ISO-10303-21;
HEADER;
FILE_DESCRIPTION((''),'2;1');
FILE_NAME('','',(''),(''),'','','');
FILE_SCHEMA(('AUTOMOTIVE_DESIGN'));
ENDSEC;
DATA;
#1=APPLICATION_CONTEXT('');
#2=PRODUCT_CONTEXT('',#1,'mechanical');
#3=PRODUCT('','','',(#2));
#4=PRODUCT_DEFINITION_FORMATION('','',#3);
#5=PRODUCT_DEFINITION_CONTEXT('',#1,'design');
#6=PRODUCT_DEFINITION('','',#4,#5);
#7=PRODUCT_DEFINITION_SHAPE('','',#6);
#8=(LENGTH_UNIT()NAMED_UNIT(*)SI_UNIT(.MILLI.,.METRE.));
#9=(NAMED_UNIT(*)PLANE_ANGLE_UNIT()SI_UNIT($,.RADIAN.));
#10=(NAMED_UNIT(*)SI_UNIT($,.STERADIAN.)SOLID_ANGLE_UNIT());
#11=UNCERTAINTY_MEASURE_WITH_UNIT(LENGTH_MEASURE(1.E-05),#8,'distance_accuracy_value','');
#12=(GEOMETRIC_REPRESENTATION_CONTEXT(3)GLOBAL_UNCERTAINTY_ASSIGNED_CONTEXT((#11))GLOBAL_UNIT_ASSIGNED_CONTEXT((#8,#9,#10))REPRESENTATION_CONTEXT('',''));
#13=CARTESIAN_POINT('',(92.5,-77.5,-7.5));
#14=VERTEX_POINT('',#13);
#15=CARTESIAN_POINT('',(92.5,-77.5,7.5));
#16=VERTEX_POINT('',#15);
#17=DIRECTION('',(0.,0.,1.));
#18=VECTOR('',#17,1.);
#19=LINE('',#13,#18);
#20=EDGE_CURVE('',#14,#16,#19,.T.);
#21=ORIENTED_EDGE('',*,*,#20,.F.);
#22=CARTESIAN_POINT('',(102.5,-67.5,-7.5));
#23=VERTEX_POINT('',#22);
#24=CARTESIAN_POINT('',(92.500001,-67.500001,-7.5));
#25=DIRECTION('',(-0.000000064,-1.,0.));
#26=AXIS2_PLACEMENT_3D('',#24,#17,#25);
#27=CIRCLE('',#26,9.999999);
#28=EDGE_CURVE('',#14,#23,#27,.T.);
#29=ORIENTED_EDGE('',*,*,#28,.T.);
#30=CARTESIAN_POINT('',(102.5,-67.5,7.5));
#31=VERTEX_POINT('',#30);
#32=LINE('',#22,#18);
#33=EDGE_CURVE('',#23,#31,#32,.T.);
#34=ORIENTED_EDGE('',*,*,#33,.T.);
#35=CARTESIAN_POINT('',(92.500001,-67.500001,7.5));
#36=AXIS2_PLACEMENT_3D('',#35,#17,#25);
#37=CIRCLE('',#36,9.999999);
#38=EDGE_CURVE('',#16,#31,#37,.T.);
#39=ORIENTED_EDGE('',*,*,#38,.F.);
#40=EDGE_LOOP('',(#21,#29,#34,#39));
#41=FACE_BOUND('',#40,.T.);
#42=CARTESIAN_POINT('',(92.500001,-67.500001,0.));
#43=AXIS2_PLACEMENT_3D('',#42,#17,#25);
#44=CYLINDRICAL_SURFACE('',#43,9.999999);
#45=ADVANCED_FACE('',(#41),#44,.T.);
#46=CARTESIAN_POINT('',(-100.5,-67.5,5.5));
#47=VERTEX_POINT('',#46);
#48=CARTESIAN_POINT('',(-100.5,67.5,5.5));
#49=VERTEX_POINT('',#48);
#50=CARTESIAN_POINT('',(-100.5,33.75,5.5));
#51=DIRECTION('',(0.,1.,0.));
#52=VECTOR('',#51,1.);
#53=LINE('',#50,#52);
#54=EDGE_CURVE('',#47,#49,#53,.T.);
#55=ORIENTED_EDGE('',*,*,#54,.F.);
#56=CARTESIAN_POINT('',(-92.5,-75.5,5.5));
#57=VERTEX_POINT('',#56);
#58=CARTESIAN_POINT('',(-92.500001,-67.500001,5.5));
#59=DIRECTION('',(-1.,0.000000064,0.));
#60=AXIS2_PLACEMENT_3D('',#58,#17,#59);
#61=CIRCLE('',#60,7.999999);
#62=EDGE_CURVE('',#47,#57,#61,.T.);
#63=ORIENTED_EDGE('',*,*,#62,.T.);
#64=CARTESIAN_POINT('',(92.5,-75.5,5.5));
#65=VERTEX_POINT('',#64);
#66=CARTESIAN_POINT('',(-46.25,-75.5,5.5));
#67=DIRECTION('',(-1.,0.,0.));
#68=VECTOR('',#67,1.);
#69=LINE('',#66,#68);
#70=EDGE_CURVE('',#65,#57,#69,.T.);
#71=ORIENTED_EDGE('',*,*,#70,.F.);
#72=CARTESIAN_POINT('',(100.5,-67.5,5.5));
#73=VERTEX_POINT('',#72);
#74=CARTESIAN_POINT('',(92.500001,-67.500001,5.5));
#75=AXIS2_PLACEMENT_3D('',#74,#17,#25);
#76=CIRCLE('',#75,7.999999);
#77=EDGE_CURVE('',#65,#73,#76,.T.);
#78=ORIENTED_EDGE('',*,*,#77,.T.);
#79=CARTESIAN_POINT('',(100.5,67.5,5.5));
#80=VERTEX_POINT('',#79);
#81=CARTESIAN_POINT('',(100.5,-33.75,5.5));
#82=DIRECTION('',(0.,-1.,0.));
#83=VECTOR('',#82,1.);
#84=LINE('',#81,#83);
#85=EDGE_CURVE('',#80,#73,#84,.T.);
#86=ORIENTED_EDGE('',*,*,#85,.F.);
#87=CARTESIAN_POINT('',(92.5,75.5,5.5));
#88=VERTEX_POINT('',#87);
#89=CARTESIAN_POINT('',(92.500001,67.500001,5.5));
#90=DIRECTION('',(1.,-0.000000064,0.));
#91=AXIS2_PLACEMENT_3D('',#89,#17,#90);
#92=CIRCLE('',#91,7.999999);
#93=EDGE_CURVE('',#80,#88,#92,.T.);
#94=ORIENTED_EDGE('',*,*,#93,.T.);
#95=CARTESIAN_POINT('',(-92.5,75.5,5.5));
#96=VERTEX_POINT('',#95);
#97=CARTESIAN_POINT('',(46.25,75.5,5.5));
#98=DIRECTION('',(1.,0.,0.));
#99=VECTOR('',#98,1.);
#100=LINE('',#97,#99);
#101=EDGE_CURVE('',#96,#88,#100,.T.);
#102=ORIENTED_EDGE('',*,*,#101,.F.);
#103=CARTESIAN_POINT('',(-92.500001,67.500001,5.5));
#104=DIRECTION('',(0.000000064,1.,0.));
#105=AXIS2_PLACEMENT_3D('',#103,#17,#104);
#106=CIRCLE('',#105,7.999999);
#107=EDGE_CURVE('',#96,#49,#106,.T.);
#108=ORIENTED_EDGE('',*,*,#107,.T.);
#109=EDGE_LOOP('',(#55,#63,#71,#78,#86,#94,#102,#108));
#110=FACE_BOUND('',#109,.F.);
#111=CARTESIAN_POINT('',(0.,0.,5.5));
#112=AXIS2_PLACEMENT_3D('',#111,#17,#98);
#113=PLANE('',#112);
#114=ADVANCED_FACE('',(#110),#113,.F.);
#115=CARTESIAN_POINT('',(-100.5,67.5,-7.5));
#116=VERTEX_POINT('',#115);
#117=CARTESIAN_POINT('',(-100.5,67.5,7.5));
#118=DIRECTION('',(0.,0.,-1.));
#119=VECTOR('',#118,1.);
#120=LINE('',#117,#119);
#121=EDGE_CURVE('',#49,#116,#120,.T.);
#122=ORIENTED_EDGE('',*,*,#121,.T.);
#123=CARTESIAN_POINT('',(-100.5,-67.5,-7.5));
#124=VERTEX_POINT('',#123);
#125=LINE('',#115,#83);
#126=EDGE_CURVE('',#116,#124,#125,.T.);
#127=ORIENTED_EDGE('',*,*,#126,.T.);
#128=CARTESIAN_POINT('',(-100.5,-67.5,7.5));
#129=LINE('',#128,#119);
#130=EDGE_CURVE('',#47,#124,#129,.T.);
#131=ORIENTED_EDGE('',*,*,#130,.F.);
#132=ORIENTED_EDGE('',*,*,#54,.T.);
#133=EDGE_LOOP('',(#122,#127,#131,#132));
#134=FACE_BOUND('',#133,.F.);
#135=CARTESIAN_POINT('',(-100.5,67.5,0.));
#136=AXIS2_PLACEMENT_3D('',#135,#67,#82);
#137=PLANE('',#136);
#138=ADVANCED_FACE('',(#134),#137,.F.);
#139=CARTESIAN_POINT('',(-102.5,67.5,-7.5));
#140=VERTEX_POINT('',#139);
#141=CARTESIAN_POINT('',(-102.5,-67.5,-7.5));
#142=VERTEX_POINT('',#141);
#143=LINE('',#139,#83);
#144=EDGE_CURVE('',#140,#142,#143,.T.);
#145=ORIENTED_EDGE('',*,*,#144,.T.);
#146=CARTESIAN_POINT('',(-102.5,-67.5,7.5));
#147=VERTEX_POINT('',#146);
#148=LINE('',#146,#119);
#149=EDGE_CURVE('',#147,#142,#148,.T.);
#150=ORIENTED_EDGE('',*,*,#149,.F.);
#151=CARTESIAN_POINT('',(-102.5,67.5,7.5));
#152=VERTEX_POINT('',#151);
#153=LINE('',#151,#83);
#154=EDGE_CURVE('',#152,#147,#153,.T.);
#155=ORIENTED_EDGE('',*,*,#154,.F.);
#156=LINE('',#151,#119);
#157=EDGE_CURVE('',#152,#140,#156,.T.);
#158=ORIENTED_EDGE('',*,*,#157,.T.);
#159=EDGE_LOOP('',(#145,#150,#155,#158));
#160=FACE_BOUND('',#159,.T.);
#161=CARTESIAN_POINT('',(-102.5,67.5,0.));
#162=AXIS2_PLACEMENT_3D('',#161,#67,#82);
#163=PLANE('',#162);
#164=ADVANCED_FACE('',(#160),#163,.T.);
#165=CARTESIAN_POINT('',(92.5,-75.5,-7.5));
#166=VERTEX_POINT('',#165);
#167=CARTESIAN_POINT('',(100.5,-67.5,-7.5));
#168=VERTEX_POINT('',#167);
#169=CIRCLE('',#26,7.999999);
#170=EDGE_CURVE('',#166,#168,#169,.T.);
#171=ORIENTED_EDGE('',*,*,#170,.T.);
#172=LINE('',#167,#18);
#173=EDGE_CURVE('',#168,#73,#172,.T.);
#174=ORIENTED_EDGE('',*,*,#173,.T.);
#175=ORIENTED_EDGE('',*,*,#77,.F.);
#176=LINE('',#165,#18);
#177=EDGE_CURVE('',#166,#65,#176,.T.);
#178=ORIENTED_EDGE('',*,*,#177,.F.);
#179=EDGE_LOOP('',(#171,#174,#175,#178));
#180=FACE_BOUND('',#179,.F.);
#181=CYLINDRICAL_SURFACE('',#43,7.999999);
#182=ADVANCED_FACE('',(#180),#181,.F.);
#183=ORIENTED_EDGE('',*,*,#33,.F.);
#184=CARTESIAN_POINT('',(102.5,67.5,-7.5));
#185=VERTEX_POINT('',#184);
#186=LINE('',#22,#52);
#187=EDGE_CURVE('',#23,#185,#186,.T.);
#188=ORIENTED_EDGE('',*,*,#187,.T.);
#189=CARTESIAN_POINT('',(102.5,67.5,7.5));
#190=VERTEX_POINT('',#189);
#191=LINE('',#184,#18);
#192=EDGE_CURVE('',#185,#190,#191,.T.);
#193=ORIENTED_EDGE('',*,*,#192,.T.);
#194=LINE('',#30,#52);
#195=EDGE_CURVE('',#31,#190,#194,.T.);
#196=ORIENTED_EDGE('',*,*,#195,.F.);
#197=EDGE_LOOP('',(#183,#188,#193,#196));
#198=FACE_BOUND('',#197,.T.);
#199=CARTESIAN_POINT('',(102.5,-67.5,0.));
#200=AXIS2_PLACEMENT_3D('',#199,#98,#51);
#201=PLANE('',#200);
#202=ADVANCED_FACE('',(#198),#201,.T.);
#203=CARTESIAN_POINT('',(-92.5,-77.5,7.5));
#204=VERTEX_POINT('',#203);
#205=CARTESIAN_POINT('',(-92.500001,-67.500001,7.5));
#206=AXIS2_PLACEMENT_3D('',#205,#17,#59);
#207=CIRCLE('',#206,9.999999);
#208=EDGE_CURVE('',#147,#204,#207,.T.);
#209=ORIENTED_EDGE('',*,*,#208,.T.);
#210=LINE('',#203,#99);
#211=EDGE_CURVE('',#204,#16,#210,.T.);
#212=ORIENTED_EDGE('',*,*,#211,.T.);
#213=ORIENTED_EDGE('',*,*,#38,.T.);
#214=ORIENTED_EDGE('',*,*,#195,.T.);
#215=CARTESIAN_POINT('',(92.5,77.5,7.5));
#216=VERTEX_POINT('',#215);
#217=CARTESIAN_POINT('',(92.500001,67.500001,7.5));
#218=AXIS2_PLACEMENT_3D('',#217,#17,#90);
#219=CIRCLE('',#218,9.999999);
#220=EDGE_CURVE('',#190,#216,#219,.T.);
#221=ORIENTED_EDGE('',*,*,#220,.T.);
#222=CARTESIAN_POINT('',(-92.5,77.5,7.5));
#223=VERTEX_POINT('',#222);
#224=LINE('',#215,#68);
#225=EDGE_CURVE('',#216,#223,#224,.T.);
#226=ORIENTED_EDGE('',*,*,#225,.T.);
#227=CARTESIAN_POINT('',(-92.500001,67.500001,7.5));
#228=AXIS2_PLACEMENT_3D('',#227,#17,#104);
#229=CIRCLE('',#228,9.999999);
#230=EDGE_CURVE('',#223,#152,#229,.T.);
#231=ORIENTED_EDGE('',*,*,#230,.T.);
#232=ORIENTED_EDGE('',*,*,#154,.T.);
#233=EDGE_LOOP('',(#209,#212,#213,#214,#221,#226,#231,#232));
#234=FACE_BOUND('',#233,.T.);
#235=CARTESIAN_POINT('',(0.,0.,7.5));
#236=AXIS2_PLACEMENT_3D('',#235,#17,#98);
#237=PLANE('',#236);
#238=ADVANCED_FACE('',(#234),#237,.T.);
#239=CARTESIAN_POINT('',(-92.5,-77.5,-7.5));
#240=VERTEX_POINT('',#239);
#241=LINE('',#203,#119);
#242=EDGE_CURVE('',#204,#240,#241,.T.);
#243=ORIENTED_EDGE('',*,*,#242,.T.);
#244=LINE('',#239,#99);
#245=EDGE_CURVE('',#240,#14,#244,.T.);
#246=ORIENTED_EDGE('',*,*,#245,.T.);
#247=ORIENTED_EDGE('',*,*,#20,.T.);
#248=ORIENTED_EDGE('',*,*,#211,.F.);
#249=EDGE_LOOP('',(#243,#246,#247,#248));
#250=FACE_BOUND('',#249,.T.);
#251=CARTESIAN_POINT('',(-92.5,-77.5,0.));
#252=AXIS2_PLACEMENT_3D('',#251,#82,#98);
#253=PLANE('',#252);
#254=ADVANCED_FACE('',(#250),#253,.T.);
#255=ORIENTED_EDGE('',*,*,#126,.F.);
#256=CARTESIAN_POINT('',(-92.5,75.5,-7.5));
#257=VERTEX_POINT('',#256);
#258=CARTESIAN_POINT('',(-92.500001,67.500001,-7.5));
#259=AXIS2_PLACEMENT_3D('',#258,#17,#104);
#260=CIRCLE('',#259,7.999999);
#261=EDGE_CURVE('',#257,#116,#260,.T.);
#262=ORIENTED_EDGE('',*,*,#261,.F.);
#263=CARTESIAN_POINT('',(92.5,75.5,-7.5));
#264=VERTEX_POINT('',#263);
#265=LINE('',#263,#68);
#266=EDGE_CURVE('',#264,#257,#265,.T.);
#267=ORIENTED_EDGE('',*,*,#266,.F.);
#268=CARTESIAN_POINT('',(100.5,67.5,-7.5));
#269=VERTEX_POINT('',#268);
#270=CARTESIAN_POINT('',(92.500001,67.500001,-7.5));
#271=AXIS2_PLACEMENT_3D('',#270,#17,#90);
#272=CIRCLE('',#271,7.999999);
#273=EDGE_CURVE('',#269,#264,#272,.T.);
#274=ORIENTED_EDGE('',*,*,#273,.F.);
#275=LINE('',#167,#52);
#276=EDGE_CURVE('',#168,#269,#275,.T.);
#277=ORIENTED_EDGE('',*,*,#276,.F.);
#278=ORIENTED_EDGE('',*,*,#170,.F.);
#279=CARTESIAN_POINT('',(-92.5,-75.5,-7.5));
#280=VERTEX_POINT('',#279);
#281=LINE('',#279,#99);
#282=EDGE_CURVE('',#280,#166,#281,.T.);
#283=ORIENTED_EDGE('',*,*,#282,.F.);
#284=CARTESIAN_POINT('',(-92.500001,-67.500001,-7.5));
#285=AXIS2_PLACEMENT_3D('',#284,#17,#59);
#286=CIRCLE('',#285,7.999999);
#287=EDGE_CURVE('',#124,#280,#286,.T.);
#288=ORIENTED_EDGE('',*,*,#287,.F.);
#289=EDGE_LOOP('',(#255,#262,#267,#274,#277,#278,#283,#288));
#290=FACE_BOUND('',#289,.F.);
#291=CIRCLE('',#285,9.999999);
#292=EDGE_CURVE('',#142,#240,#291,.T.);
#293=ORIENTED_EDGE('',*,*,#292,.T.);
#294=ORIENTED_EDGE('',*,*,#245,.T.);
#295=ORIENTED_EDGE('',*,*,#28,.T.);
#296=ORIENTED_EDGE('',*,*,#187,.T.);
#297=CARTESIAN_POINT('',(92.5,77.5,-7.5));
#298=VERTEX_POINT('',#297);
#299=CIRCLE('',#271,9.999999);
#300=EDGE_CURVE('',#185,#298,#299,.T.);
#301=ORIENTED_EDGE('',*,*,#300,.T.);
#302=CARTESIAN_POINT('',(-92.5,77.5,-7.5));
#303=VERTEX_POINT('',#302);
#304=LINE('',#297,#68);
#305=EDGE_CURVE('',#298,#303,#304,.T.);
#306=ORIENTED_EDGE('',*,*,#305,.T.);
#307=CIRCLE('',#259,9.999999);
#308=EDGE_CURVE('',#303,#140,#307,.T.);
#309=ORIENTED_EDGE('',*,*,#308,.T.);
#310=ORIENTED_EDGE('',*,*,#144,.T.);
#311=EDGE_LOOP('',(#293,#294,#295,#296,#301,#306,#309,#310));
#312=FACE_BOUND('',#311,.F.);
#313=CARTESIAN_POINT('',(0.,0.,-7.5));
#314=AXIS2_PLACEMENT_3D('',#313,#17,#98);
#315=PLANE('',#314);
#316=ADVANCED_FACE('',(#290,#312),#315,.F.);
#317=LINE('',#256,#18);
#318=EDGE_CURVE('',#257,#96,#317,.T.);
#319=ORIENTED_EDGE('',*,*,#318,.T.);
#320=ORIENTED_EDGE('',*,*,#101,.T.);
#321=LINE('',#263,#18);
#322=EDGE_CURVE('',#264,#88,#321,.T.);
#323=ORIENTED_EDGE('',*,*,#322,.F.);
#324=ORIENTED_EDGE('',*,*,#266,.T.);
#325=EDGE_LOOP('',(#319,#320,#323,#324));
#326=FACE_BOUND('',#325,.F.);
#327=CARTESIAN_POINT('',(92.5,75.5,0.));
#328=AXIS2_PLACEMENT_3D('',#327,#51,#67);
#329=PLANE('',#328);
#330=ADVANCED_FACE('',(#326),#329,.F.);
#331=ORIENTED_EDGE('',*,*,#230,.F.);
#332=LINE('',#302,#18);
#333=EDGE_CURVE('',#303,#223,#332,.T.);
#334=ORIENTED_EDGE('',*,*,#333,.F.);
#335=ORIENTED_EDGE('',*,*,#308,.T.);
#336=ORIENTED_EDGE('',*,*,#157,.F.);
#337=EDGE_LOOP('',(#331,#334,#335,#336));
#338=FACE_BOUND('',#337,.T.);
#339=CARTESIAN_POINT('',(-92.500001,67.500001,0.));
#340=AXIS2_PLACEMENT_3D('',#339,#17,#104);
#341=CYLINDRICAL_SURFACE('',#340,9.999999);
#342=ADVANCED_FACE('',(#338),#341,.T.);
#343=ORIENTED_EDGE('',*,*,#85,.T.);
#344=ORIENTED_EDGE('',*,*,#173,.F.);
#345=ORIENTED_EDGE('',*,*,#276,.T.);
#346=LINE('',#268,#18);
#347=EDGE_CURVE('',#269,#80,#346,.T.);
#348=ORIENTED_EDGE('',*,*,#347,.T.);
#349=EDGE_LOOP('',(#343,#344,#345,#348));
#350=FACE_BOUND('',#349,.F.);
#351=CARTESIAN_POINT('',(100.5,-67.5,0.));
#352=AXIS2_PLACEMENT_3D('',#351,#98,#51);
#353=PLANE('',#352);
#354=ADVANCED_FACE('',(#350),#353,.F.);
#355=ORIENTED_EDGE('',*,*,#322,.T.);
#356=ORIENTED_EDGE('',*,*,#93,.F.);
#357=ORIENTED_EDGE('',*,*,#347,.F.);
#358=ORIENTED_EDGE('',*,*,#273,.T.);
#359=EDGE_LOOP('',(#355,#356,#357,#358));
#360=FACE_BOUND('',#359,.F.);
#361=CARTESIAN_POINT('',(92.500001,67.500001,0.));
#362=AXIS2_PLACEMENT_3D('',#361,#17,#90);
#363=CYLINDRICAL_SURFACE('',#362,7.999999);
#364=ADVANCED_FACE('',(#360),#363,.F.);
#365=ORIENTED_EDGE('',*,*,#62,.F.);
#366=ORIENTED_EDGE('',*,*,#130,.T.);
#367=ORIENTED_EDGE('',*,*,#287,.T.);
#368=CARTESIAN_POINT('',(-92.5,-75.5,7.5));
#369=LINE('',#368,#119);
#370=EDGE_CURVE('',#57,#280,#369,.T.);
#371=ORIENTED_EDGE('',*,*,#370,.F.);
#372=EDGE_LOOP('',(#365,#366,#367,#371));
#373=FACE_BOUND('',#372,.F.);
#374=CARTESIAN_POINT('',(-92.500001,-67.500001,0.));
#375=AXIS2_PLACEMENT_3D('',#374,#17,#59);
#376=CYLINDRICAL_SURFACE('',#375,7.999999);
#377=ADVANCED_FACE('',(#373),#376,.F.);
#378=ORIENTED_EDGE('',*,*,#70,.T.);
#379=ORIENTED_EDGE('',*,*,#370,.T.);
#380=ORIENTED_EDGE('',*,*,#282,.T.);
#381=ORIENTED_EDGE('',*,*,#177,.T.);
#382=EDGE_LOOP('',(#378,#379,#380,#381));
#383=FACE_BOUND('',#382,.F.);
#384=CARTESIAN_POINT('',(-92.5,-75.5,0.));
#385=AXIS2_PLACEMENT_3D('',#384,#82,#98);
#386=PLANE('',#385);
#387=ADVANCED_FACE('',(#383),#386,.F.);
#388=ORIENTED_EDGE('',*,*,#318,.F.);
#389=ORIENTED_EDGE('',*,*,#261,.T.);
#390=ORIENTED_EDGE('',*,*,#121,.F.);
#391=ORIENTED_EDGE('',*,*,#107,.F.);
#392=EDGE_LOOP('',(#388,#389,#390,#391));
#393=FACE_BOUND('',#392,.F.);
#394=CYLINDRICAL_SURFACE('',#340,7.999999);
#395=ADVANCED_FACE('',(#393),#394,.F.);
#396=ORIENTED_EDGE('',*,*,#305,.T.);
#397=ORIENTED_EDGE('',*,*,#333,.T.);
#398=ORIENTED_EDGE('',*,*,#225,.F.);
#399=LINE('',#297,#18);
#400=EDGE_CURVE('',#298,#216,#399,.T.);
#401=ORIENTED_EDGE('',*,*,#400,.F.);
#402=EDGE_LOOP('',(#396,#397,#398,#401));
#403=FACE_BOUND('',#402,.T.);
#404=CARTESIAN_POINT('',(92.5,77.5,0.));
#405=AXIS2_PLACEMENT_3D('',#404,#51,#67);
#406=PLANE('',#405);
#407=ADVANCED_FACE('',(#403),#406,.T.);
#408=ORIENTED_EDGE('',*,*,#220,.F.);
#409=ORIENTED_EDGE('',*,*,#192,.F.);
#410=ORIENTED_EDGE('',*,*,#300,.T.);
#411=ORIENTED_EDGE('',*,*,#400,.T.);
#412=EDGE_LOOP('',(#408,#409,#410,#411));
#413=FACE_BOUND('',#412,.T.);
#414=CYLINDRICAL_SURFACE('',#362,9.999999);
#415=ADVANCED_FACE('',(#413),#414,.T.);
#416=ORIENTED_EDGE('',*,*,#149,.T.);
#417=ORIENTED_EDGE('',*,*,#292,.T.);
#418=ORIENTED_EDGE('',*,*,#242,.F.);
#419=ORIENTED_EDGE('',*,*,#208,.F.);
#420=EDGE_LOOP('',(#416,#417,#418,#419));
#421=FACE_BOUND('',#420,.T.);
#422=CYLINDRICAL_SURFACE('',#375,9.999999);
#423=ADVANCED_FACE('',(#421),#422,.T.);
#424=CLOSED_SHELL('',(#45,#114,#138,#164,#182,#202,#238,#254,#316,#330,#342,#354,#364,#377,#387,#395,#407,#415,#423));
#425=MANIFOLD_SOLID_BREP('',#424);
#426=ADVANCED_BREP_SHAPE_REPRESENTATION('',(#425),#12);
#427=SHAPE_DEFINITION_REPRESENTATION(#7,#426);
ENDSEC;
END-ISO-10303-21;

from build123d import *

# Parameters (mm, degrees)
F1_DEPTH = 7.5
F2_T     = -2


with BuildPart() as f1:
    # F0 (on Top) → F1 (new body, symmetric)
    with BuildSketch(Plane.XY):
        with BuildLine():
            Line((-92.5, -77.5), (92.5, -77.5))
            ThreePointArc((92.5, -77.5), (99.571068, -74.571068), (102.5, -67.5))
            Line((102.5, -67.5), (102.5, 67.5))
            ThreePointArc((102.5, 67.5), (99.571068, 74.571068), (92.5, 77.5))
            Line((92.5, 77.5), (-92.5, 77.5))
            ThreePointArc((-92.5, 77.5), (-99.571068, 74.571068), (-102.5, 67.5))
            Line((-102.5, 67.5), (-102.5, -67.5))
            ThreePointArc((-102.5, -67.5), (-99.571068, -74.571068), (-92.5, -77.5))
        make_face()
    extrude(amount=F1_DEPTH, both=True)

    # F2
    f2_openings = [f1.faces().sort_by_distance(p)[0] for p in [
        (0, 0, -7.5),
    ]]
    offset(amount=F2_T, openings=f2_openings)


solid = f1.part
